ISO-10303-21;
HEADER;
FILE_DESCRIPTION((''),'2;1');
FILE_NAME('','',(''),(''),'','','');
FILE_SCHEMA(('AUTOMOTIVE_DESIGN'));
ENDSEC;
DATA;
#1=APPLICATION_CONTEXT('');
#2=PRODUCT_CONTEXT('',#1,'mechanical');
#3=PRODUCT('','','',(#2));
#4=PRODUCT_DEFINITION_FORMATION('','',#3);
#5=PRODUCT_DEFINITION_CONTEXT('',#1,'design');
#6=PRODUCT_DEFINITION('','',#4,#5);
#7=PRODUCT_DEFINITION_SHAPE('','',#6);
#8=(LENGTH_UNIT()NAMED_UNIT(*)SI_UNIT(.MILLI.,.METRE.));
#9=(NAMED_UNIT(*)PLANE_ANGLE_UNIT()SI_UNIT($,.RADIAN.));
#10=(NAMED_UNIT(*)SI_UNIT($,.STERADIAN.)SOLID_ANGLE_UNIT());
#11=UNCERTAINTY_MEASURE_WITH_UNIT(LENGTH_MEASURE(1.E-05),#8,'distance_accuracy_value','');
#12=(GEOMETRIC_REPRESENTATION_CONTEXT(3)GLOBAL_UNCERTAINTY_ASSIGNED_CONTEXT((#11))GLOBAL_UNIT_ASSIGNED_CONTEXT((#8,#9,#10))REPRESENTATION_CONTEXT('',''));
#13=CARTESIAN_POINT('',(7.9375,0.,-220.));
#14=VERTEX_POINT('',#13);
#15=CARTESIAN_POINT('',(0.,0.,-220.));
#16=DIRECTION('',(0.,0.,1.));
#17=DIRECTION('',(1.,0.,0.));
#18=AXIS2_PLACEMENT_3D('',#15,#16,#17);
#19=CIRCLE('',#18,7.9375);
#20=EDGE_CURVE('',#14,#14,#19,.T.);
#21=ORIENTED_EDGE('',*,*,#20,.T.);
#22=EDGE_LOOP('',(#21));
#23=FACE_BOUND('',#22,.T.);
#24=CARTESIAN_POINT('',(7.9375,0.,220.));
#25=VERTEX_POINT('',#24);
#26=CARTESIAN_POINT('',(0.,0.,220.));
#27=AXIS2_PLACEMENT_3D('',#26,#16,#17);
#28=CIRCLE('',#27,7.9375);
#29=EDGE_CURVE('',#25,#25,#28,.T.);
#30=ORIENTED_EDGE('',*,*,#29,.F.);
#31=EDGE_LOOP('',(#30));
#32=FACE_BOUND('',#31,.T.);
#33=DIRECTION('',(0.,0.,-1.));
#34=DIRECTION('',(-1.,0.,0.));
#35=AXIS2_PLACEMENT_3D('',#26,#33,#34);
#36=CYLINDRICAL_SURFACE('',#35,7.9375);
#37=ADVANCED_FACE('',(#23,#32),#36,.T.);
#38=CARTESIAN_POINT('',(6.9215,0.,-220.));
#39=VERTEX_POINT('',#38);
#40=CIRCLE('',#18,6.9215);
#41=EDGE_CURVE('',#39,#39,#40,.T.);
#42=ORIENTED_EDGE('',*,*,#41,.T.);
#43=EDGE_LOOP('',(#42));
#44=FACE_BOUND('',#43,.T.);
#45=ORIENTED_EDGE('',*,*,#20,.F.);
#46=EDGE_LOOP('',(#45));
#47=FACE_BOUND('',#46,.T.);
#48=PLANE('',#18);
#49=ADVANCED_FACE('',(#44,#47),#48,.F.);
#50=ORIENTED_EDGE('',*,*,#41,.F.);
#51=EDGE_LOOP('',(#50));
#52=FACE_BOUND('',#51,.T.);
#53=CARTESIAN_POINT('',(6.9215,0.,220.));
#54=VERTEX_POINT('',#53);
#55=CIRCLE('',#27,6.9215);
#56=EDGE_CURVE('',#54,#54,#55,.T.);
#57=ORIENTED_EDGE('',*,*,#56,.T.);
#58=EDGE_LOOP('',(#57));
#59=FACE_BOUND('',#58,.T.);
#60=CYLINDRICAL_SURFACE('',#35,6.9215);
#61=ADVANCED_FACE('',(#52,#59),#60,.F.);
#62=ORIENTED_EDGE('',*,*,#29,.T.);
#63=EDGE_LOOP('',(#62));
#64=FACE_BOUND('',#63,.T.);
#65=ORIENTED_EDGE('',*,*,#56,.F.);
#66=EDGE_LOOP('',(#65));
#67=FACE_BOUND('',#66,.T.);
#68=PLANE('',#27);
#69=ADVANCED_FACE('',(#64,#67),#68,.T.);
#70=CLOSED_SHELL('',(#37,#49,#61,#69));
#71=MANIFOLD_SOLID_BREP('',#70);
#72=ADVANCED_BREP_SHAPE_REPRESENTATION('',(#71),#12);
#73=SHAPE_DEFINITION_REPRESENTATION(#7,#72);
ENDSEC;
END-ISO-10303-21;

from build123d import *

# Parameters (mm, degrees)
SKETCH1_R           = 7.9375
SKETCH1_R_2         = 6.9215
BOSS_EXTRUDE1_DEPTH = 220


with BuildPart() as part:
    # Sketch1 → Boss-Extrude1 (new, symmetric)
    with BuildSketch(Plane.XY):
        Circle(SKETCH1_R)
        Circle(SKETCH1_R_2, mode=Mode.SUBTRACT)
    extrude(amount=BOSS_EXTRUDE1_DEPTH, both=True)


solid = part.part
